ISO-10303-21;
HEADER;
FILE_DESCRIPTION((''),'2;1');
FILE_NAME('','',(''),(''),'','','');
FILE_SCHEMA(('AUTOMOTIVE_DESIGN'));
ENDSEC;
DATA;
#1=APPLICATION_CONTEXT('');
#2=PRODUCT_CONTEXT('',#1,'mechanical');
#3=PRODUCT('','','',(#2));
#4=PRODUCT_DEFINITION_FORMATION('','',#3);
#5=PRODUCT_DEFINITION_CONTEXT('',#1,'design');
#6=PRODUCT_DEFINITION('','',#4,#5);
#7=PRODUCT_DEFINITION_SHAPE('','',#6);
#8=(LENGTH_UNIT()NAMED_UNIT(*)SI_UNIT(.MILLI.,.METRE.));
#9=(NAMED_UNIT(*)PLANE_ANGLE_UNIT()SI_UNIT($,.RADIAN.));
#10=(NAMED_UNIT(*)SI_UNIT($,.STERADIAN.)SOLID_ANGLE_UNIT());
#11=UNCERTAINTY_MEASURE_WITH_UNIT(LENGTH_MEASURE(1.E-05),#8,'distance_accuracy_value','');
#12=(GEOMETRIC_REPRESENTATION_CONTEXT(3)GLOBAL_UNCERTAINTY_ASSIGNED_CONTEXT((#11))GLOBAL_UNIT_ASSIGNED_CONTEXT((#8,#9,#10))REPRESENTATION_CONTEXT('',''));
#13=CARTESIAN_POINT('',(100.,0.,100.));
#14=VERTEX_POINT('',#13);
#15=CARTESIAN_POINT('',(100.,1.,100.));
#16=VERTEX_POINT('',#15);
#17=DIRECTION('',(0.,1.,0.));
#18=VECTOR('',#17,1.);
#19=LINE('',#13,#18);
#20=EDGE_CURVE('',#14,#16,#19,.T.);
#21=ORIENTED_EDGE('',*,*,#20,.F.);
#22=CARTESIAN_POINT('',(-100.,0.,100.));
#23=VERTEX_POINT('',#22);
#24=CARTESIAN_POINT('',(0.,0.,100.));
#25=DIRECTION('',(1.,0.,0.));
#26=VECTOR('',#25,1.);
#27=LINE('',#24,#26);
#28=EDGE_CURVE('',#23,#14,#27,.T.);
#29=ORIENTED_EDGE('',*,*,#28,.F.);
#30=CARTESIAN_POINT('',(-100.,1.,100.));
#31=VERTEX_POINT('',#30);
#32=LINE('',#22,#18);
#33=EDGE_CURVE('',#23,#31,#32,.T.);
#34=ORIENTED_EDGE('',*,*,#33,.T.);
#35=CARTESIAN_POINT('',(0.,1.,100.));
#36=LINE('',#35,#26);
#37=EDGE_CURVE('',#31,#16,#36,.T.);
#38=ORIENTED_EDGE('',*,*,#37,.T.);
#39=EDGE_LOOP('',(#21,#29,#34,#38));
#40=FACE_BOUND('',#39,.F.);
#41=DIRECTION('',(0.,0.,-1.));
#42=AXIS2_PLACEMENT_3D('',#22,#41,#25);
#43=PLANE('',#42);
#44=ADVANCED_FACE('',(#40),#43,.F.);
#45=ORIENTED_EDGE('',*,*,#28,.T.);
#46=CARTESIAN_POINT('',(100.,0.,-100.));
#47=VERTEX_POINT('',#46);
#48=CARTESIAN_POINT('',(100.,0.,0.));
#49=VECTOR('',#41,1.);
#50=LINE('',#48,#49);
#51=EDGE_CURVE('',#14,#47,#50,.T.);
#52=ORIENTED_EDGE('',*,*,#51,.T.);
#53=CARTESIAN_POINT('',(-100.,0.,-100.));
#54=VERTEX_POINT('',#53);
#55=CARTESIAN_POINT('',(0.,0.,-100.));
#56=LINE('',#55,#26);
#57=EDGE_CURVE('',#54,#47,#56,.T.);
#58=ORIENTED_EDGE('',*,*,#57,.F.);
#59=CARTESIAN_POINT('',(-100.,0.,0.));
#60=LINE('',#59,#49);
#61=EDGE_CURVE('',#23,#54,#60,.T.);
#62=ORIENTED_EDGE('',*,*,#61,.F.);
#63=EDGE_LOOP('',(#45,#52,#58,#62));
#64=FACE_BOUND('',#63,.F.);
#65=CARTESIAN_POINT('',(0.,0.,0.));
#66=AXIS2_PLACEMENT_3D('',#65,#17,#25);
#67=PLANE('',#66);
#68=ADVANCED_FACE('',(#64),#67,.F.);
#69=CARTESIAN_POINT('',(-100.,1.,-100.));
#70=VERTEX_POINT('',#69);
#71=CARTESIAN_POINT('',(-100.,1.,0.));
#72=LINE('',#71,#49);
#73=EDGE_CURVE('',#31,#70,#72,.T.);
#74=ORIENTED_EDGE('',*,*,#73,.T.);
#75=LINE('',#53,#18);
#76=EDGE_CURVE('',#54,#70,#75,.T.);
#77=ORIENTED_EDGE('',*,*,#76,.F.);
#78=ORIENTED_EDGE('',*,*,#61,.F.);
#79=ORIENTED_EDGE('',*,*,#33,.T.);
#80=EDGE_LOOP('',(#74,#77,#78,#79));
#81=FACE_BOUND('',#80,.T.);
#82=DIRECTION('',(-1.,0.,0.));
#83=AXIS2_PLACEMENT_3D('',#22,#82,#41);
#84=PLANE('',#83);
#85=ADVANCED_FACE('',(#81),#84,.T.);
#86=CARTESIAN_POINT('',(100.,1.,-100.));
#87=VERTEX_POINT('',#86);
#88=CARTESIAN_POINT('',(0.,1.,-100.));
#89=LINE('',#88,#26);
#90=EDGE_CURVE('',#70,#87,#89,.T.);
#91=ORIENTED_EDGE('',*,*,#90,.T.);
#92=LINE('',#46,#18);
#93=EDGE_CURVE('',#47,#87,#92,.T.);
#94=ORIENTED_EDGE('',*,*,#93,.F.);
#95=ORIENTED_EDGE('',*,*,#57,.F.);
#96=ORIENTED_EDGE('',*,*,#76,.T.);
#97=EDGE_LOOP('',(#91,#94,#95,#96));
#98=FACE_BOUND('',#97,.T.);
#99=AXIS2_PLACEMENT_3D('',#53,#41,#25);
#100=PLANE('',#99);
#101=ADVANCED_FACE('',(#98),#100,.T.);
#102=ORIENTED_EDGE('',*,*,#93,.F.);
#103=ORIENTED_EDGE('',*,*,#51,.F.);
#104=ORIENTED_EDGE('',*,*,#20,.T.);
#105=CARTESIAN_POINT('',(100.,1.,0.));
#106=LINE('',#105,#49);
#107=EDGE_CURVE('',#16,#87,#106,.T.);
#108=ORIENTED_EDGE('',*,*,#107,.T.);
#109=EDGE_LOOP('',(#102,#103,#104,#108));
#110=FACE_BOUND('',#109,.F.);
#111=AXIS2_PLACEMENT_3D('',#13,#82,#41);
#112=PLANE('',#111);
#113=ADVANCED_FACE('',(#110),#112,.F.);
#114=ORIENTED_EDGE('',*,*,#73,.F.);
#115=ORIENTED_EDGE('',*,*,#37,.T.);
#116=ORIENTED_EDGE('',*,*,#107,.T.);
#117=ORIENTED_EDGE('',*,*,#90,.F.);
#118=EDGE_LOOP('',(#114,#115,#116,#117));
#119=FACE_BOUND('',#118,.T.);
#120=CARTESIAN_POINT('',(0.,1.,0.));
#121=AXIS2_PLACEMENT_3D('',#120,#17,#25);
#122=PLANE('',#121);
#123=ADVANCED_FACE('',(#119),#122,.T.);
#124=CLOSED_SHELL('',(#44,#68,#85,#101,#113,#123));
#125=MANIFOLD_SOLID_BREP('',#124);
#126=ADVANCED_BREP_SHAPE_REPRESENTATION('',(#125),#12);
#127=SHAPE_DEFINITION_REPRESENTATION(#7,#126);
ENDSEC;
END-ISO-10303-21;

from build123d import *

# Parameters (mm, degrees)
SKETCH_1_W      = 200
SKETCH_1_H      = 200
EXTRUDE_1_DEPTH = 1


with BuildPart() as part:
    # 草图1 → 凸台-拉伸1 (new body)
    with BuildSketch(Plane(origin=(0, 0, 0), x_dir=(1, 0, 0), z_dir=(0, 1, 0))):
        Rectangle(SKETCH_1_W, SKETCH_1_H)
    extrude(amount=EXTRUDE_1_DEPTH)


solid = part.part
